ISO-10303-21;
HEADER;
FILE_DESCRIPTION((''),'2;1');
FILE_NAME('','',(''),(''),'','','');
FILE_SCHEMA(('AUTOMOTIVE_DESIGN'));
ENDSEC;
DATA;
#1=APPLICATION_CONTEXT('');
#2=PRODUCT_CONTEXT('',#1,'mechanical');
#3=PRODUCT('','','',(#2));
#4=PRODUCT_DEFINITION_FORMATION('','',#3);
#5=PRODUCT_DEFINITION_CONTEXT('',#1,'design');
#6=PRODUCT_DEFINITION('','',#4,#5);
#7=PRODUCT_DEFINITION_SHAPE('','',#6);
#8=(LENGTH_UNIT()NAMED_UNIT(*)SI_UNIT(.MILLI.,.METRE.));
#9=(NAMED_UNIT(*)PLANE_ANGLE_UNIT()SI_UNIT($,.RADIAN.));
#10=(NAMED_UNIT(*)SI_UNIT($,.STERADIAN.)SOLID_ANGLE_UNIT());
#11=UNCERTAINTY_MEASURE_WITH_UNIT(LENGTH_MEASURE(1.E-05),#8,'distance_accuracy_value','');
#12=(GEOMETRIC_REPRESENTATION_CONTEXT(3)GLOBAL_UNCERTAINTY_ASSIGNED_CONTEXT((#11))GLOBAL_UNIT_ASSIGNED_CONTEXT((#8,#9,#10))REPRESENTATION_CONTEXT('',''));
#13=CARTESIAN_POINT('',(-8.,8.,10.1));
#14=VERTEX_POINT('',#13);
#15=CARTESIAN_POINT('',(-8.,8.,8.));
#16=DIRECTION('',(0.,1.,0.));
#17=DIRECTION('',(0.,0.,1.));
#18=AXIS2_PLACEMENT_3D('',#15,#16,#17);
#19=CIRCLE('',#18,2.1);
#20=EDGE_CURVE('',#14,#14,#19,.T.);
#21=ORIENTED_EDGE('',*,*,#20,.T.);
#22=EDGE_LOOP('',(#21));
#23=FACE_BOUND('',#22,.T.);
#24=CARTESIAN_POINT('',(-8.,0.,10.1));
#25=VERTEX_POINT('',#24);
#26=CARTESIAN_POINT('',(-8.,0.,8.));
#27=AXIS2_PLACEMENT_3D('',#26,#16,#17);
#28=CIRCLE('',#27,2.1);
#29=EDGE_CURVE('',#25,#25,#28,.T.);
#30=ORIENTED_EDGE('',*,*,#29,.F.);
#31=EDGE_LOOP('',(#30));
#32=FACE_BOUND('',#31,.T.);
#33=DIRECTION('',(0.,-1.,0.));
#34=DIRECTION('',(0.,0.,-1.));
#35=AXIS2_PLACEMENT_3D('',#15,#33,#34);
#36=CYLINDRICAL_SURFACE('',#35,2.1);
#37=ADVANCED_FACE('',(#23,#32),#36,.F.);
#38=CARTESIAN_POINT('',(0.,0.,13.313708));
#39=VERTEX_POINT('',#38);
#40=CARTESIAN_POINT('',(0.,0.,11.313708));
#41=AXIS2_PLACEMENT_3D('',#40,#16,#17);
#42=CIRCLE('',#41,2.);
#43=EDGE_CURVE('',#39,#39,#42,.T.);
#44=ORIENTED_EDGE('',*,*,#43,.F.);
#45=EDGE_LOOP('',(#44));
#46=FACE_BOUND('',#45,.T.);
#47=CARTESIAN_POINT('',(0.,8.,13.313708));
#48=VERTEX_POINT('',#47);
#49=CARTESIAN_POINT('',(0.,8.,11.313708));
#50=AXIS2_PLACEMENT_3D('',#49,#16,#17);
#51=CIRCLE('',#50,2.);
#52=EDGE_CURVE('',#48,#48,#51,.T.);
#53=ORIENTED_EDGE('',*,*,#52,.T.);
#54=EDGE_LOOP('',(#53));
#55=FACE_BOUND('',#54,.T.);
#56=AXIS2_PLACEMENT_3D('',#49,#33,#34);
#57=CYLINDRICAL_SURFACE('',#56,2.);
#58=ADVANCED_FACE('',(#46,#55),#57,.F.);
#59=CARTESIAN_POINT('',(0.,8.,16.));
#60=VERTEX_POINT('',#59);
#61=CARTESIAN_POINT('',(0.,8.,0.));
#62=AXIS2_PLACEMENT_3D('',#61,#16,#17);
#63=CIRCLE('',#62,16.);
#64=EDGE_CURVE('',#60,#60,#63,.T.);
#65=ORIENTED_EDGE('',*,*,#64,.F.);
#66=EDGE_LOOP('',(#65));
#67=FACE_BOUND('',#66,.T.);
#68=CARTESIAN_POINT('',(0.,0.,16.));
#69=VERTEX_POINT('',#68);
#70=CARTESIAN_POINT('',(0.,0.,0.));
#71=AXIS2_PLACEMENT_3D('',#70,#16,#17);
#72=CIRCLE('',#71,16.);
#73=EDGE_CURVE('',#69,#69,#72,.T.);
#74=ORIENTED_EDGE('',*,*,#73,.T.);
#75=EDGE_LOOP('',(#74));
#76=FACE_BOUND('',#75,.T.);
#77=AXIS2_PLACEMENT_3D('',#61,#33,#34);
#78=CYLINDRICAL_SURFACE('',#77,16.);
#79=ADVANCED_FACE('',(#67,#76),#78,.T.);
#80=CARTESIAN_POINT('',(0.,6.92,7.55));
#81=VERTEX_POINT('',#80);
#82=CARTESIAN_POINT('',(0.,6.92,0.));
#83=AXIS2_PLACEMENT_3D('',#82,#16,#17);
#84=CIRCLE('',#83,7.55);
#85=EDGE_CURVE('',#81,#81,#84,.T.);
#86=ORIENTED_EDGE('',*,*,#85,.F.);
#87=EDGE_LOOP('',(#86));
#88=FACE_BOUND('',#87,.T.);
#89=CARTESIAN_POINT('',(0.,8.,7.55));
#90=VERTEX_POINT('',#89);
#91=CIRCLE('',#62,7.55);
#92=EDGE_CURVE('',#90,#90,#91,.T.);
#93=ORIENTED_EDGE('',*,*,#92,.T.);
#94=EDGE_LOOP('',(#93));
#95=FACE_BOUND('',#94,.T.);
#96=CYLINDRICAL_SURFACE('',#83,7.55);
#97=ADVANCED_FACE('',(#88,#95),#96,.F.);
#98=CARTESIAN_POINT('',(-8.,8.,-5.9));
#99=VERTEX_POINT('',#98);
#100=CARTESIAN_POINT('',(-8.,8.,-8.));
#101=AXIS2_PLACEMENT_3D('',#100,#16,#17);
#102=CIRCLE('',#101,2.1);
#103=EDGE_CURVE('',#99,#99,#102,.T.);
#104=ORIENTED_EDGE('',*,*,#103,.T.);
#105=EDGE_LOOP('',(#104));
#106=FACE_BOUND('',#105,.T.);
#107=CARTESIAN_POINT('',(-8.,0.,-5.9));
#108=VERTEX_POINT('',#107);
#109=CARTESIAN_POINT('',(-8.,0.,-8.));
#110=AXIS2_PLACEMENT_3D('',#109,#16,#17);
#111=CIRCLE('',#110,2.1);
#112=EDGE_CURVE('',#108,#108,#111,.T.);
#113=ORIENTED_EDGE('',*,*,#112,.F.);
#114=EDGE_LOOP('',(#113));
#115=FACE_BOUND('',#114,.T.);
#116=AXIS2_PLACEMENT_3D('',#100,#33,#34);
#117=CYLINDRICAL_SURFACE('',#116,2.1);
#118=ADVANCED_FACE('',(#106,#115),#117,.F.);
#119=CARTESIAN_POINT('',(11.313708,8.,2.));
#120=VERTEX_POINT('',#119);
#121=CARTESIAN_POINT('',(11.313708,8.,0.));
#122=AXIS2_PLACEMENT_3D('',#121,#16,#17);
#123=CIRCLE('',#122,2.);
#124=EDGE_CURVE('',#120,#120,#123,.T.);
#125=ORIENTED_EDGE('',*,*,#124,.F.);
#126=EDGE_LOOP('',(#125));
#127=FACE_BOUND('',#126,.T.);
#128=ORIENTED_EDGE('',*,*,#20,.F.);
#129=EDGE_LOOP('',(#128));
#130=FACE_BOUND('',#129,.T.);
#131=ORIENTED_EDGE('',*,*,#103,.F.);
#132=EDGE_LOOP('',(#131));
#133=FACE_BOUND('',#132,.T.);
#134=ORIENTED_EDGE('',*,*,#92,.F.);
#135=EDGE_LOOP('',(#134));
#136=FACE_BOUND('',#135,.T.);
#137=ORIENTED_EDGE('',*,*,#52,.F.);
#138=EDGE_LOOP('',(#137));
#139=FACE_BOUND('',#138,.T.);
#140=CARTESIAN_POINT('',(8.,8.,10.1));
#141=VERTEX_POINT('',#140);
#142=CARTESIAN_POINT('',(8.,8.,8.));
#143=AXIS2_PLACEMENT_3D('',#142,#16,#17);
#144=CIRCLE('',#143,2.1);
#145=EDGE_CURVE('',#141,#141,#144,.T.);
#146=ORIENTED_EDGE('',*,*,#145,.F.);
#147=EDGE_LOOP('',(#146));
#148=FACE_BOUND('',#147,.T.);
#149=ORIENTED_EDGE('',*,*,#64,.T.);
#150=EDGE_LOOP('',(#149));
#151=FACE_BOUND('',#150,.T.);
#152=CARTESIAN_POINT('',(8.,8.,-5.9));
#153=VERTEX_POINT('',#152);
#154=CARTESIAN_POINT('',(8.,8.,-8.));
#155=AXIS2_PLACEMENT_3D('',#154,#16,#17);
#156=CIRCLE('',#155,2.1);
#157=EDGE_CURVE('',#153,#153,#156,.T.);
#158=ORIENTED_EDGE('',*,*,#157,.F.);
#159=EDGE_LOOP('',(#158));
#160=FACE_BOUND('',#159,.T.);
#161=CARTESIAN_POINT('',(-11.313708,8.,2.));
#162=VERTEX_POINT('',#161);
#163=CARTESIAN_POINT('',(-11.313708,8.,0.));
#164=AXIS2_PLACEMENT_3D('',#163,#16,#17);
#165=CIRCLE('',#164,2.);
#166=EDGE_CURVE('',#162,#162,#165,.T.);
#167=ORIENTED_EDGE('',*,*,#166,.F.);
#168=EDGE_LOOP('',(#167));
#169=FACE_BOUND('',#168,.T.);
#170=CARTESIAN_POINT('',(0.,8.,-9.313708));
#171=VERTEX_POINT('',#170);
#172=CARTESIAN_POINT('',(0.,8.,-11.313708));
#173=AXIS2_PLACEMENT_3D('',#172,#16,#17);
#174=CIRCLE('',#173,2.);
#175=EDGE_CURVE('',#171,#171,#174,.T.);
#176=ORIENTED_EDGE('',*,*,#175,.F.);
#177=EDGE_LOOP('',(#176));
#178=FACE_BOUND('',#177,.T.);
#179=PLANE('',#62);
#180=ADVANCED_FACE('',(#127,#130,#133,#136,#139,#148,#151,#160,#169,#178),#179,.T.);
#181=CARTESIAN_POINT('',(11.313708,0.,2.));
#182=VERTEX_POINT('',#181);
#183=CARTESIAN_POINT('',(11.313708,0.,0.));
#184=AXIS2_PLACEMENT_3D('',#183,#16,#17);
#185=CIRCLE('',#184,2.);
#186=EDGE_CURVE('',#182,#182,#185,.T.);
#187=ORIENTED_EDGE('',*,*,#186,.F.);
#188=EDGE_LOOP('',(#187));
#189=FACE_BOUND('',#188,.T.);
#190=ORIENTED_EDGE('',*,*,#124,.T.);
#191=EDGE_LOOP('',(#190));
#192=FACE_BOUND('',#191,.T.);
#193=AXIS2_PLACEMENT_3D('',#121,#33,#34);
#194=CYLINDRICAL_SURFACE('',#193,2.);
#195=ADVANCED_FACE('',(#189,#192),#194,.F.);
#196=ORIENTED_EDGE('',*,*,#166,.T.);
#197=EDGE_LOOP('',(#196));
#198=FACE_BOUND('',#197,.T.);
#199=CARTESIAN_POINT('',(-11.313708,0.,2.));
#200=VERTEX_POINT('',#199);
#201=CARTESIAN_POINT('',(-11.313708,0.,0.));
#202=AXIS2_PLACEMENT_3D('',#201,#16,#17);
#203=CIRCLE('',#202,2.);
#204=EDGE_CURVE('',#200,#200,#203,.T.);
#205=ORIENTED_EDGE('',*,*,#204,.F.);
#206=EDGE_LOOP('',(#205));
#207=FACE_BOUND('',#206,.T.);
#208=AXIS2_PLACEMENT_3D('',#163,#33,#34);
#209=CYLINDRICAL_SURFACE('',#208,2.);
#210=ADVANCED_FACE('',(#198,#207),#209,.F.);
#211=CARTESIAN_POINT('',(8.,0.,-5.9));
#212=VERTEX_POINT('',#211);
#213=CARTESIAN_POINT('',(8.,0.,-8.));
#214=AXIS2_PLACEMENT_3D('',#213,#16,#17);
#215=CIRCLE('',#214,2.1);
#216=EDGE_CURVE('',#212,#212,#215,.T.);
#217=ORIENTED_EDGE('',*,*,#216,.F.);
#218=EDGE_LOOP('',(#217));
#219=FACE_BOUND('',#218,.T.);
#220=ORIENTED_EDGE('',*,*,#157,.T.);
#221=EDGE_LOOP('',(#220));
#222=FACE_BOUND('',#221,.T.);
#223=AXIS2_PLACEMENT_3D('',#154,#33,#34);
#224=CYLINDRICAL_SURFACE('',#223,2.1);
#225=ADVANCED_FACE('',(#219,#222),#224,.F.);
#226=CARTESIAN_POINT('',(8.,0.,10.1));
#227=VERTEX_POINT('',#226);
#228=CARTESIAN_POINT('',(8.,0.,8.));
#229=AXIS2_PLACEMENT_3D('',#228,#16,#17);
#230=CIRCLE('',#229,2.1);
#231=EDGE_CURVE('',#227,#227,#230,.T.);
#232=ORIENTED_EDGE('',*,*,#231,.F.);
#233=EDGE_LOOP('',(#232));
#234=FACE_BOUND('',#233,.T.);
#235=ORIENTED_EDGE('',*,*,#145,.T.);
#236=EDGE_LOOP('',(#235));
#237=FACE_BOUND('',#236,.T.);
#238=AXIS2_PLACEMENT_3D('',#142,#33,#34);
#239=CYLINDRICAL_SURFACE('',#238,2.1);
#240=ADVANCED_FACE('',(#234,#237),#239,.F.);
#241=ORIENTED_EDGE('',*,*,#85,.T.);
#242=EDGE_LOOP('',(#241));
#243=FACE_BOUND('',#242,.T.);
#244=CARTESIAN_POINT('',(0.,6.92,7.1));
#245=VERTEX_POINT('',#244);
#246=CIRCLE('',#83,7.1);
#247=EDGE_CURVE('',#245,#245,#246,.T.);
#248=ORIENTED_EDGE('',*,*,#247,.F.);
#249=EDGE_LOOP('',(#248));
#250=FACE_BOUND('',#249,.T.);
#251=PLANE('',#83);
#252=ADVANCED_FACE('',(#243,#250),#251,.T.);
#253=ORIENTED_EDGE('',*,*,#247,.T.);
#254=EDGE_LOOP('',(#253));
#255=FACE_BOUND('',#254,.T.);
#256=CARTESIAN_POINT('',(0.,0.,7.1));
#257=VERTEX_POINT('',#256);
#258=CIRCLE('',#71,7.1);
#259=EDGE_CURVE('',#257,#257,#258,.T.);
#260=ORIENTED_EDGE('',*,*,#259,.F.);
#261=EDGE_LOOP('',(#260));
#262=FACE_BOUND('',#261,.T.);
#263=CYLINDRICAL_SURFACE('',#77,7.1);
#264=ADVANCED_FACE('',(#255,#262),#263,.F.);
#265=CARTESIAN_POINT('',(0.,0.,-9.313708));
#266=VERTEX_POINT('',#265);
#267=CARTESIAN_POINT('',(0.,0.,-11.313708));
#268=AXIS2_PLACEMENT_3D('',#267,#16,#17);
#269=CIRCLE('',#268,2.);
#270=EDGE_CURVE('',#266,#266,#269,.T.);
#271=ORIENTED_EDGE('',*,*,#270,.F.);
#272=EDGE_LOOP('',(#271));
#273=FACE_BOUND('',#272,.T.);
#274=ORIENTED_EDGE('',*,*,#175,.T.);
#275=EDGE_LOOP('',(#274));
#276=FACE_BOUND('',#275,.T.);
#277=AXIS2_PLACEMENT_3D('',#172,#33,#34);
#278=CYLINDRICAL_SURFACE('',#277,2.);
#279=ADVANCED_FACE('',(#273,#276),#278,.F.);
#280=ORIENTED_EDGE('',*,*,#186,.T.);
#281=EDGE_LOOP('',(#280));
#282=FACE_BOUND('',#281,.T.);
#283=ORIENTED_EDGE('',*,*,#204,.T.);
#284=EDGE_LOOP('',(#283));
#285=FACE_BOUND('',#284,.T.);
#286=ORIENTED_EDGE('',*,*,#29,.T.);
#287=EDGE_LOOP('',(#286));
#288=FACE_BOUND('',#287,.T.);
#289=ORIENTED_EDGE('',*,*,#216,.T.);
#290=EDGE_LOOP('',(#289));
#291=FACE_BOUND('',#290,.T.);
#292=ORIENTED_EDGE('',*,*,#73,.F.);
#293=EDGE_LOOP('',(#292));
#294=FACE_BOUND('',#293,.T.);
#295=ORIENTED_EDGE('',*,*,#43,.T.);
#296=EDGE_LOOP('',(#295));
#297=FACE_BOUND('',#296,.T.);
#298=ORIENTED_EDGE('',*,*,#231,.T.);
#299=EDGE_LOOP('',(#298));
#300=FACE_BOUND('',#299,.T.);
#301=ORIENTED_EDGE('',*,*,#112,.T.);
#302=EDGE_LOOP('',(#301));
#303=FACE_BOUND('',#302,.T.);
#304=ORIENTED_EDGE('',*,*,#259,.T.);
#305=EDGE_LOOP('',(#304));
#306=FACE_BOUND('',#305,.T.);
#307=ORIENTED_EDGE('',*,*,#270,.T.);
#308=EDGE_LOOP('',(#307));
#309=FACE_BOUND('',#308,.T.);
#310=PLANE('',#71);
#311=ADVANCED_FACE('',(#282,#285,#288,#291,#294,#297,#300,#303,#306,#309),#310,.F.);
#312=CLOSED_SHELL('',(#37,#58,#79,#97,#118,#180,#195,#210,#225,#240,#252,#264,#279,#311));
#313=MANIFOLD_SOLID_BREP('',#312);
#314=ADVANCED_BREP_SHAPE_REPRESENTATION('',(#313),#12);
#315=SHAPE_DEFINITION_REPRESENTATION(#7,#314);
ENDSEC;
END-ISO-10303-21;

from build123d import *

# Parameters (mm, degrees)
SKETCH1_R           = 16
SKETCH1_R_2         = 7.1
SKETCH1_R_3         = 2
SKETCH1_R_4         = 2.1
BOSS_EXTRUDE1_DEPTH = 8
SKETCH2_R           = 7.55
CUT_EXTRUDE1_DEPTH  = 1.08


with BuildPart() as part:
    # Sketch1 → Boss-Extrude1 (new body)
    with BuildSketch(Plane(origin=(0, 0, 0), x_dir=(1, 0, 0), z_dir=(0, 1, 0))):
        Circle(SKETCH1_R)
        Circle(SKETCH1_R_2, mode=Mode.SUBTRACT)
        with Locations((0, 11.313708499)):
            Circle(SKETCH1_R_3, mode=Mode.SUBTRACT)
        with Locations((-11.313708499, 0)):
            Circle(SKETCH1_R_3, mode=Mode.SUBTRACT)
        with Locations((0, -11.313708499)):
            Circle(SKETCH1_R_3, mode=Mode.SUBTRACT)
        with Locations((11.313708499, 0)):
            Circle(SKETCH1_R_3, mode=Mode.SUBTRACT)
        with Locations((-8, -8)):
            Circle(SKETCH1_R_4, mode=Mode.SUBTRACT)
        with Locations((8, -8)):
            Circle(SKETCH1_R_4, mode=Mode.SUBTRACT)
        with Locations((8, 8)):
            Circle(SKETCH1_R_4, mode=Mode.SUBTRACT)
        with Locations((-8, 8)):
            Circle(SKETCH1_R_4, mode=Mode.SUBTRACT)
    extrude(amount=BOSS_EXTRUDE1_DEPTH)

    # Sketch2 → Cut-Extrude1 (cut)
    with BuildSketch(Plane(origin=(0, 8, 0), x_dir=(1, 0, 0), z_dir=(0, 1, 0))):
        Circle(SKETCH2_R)
    extrude(amount=-CUT_EXTRUDE1_DEPTH, mode=Mode.SUBTRACT)


solid = part.part
